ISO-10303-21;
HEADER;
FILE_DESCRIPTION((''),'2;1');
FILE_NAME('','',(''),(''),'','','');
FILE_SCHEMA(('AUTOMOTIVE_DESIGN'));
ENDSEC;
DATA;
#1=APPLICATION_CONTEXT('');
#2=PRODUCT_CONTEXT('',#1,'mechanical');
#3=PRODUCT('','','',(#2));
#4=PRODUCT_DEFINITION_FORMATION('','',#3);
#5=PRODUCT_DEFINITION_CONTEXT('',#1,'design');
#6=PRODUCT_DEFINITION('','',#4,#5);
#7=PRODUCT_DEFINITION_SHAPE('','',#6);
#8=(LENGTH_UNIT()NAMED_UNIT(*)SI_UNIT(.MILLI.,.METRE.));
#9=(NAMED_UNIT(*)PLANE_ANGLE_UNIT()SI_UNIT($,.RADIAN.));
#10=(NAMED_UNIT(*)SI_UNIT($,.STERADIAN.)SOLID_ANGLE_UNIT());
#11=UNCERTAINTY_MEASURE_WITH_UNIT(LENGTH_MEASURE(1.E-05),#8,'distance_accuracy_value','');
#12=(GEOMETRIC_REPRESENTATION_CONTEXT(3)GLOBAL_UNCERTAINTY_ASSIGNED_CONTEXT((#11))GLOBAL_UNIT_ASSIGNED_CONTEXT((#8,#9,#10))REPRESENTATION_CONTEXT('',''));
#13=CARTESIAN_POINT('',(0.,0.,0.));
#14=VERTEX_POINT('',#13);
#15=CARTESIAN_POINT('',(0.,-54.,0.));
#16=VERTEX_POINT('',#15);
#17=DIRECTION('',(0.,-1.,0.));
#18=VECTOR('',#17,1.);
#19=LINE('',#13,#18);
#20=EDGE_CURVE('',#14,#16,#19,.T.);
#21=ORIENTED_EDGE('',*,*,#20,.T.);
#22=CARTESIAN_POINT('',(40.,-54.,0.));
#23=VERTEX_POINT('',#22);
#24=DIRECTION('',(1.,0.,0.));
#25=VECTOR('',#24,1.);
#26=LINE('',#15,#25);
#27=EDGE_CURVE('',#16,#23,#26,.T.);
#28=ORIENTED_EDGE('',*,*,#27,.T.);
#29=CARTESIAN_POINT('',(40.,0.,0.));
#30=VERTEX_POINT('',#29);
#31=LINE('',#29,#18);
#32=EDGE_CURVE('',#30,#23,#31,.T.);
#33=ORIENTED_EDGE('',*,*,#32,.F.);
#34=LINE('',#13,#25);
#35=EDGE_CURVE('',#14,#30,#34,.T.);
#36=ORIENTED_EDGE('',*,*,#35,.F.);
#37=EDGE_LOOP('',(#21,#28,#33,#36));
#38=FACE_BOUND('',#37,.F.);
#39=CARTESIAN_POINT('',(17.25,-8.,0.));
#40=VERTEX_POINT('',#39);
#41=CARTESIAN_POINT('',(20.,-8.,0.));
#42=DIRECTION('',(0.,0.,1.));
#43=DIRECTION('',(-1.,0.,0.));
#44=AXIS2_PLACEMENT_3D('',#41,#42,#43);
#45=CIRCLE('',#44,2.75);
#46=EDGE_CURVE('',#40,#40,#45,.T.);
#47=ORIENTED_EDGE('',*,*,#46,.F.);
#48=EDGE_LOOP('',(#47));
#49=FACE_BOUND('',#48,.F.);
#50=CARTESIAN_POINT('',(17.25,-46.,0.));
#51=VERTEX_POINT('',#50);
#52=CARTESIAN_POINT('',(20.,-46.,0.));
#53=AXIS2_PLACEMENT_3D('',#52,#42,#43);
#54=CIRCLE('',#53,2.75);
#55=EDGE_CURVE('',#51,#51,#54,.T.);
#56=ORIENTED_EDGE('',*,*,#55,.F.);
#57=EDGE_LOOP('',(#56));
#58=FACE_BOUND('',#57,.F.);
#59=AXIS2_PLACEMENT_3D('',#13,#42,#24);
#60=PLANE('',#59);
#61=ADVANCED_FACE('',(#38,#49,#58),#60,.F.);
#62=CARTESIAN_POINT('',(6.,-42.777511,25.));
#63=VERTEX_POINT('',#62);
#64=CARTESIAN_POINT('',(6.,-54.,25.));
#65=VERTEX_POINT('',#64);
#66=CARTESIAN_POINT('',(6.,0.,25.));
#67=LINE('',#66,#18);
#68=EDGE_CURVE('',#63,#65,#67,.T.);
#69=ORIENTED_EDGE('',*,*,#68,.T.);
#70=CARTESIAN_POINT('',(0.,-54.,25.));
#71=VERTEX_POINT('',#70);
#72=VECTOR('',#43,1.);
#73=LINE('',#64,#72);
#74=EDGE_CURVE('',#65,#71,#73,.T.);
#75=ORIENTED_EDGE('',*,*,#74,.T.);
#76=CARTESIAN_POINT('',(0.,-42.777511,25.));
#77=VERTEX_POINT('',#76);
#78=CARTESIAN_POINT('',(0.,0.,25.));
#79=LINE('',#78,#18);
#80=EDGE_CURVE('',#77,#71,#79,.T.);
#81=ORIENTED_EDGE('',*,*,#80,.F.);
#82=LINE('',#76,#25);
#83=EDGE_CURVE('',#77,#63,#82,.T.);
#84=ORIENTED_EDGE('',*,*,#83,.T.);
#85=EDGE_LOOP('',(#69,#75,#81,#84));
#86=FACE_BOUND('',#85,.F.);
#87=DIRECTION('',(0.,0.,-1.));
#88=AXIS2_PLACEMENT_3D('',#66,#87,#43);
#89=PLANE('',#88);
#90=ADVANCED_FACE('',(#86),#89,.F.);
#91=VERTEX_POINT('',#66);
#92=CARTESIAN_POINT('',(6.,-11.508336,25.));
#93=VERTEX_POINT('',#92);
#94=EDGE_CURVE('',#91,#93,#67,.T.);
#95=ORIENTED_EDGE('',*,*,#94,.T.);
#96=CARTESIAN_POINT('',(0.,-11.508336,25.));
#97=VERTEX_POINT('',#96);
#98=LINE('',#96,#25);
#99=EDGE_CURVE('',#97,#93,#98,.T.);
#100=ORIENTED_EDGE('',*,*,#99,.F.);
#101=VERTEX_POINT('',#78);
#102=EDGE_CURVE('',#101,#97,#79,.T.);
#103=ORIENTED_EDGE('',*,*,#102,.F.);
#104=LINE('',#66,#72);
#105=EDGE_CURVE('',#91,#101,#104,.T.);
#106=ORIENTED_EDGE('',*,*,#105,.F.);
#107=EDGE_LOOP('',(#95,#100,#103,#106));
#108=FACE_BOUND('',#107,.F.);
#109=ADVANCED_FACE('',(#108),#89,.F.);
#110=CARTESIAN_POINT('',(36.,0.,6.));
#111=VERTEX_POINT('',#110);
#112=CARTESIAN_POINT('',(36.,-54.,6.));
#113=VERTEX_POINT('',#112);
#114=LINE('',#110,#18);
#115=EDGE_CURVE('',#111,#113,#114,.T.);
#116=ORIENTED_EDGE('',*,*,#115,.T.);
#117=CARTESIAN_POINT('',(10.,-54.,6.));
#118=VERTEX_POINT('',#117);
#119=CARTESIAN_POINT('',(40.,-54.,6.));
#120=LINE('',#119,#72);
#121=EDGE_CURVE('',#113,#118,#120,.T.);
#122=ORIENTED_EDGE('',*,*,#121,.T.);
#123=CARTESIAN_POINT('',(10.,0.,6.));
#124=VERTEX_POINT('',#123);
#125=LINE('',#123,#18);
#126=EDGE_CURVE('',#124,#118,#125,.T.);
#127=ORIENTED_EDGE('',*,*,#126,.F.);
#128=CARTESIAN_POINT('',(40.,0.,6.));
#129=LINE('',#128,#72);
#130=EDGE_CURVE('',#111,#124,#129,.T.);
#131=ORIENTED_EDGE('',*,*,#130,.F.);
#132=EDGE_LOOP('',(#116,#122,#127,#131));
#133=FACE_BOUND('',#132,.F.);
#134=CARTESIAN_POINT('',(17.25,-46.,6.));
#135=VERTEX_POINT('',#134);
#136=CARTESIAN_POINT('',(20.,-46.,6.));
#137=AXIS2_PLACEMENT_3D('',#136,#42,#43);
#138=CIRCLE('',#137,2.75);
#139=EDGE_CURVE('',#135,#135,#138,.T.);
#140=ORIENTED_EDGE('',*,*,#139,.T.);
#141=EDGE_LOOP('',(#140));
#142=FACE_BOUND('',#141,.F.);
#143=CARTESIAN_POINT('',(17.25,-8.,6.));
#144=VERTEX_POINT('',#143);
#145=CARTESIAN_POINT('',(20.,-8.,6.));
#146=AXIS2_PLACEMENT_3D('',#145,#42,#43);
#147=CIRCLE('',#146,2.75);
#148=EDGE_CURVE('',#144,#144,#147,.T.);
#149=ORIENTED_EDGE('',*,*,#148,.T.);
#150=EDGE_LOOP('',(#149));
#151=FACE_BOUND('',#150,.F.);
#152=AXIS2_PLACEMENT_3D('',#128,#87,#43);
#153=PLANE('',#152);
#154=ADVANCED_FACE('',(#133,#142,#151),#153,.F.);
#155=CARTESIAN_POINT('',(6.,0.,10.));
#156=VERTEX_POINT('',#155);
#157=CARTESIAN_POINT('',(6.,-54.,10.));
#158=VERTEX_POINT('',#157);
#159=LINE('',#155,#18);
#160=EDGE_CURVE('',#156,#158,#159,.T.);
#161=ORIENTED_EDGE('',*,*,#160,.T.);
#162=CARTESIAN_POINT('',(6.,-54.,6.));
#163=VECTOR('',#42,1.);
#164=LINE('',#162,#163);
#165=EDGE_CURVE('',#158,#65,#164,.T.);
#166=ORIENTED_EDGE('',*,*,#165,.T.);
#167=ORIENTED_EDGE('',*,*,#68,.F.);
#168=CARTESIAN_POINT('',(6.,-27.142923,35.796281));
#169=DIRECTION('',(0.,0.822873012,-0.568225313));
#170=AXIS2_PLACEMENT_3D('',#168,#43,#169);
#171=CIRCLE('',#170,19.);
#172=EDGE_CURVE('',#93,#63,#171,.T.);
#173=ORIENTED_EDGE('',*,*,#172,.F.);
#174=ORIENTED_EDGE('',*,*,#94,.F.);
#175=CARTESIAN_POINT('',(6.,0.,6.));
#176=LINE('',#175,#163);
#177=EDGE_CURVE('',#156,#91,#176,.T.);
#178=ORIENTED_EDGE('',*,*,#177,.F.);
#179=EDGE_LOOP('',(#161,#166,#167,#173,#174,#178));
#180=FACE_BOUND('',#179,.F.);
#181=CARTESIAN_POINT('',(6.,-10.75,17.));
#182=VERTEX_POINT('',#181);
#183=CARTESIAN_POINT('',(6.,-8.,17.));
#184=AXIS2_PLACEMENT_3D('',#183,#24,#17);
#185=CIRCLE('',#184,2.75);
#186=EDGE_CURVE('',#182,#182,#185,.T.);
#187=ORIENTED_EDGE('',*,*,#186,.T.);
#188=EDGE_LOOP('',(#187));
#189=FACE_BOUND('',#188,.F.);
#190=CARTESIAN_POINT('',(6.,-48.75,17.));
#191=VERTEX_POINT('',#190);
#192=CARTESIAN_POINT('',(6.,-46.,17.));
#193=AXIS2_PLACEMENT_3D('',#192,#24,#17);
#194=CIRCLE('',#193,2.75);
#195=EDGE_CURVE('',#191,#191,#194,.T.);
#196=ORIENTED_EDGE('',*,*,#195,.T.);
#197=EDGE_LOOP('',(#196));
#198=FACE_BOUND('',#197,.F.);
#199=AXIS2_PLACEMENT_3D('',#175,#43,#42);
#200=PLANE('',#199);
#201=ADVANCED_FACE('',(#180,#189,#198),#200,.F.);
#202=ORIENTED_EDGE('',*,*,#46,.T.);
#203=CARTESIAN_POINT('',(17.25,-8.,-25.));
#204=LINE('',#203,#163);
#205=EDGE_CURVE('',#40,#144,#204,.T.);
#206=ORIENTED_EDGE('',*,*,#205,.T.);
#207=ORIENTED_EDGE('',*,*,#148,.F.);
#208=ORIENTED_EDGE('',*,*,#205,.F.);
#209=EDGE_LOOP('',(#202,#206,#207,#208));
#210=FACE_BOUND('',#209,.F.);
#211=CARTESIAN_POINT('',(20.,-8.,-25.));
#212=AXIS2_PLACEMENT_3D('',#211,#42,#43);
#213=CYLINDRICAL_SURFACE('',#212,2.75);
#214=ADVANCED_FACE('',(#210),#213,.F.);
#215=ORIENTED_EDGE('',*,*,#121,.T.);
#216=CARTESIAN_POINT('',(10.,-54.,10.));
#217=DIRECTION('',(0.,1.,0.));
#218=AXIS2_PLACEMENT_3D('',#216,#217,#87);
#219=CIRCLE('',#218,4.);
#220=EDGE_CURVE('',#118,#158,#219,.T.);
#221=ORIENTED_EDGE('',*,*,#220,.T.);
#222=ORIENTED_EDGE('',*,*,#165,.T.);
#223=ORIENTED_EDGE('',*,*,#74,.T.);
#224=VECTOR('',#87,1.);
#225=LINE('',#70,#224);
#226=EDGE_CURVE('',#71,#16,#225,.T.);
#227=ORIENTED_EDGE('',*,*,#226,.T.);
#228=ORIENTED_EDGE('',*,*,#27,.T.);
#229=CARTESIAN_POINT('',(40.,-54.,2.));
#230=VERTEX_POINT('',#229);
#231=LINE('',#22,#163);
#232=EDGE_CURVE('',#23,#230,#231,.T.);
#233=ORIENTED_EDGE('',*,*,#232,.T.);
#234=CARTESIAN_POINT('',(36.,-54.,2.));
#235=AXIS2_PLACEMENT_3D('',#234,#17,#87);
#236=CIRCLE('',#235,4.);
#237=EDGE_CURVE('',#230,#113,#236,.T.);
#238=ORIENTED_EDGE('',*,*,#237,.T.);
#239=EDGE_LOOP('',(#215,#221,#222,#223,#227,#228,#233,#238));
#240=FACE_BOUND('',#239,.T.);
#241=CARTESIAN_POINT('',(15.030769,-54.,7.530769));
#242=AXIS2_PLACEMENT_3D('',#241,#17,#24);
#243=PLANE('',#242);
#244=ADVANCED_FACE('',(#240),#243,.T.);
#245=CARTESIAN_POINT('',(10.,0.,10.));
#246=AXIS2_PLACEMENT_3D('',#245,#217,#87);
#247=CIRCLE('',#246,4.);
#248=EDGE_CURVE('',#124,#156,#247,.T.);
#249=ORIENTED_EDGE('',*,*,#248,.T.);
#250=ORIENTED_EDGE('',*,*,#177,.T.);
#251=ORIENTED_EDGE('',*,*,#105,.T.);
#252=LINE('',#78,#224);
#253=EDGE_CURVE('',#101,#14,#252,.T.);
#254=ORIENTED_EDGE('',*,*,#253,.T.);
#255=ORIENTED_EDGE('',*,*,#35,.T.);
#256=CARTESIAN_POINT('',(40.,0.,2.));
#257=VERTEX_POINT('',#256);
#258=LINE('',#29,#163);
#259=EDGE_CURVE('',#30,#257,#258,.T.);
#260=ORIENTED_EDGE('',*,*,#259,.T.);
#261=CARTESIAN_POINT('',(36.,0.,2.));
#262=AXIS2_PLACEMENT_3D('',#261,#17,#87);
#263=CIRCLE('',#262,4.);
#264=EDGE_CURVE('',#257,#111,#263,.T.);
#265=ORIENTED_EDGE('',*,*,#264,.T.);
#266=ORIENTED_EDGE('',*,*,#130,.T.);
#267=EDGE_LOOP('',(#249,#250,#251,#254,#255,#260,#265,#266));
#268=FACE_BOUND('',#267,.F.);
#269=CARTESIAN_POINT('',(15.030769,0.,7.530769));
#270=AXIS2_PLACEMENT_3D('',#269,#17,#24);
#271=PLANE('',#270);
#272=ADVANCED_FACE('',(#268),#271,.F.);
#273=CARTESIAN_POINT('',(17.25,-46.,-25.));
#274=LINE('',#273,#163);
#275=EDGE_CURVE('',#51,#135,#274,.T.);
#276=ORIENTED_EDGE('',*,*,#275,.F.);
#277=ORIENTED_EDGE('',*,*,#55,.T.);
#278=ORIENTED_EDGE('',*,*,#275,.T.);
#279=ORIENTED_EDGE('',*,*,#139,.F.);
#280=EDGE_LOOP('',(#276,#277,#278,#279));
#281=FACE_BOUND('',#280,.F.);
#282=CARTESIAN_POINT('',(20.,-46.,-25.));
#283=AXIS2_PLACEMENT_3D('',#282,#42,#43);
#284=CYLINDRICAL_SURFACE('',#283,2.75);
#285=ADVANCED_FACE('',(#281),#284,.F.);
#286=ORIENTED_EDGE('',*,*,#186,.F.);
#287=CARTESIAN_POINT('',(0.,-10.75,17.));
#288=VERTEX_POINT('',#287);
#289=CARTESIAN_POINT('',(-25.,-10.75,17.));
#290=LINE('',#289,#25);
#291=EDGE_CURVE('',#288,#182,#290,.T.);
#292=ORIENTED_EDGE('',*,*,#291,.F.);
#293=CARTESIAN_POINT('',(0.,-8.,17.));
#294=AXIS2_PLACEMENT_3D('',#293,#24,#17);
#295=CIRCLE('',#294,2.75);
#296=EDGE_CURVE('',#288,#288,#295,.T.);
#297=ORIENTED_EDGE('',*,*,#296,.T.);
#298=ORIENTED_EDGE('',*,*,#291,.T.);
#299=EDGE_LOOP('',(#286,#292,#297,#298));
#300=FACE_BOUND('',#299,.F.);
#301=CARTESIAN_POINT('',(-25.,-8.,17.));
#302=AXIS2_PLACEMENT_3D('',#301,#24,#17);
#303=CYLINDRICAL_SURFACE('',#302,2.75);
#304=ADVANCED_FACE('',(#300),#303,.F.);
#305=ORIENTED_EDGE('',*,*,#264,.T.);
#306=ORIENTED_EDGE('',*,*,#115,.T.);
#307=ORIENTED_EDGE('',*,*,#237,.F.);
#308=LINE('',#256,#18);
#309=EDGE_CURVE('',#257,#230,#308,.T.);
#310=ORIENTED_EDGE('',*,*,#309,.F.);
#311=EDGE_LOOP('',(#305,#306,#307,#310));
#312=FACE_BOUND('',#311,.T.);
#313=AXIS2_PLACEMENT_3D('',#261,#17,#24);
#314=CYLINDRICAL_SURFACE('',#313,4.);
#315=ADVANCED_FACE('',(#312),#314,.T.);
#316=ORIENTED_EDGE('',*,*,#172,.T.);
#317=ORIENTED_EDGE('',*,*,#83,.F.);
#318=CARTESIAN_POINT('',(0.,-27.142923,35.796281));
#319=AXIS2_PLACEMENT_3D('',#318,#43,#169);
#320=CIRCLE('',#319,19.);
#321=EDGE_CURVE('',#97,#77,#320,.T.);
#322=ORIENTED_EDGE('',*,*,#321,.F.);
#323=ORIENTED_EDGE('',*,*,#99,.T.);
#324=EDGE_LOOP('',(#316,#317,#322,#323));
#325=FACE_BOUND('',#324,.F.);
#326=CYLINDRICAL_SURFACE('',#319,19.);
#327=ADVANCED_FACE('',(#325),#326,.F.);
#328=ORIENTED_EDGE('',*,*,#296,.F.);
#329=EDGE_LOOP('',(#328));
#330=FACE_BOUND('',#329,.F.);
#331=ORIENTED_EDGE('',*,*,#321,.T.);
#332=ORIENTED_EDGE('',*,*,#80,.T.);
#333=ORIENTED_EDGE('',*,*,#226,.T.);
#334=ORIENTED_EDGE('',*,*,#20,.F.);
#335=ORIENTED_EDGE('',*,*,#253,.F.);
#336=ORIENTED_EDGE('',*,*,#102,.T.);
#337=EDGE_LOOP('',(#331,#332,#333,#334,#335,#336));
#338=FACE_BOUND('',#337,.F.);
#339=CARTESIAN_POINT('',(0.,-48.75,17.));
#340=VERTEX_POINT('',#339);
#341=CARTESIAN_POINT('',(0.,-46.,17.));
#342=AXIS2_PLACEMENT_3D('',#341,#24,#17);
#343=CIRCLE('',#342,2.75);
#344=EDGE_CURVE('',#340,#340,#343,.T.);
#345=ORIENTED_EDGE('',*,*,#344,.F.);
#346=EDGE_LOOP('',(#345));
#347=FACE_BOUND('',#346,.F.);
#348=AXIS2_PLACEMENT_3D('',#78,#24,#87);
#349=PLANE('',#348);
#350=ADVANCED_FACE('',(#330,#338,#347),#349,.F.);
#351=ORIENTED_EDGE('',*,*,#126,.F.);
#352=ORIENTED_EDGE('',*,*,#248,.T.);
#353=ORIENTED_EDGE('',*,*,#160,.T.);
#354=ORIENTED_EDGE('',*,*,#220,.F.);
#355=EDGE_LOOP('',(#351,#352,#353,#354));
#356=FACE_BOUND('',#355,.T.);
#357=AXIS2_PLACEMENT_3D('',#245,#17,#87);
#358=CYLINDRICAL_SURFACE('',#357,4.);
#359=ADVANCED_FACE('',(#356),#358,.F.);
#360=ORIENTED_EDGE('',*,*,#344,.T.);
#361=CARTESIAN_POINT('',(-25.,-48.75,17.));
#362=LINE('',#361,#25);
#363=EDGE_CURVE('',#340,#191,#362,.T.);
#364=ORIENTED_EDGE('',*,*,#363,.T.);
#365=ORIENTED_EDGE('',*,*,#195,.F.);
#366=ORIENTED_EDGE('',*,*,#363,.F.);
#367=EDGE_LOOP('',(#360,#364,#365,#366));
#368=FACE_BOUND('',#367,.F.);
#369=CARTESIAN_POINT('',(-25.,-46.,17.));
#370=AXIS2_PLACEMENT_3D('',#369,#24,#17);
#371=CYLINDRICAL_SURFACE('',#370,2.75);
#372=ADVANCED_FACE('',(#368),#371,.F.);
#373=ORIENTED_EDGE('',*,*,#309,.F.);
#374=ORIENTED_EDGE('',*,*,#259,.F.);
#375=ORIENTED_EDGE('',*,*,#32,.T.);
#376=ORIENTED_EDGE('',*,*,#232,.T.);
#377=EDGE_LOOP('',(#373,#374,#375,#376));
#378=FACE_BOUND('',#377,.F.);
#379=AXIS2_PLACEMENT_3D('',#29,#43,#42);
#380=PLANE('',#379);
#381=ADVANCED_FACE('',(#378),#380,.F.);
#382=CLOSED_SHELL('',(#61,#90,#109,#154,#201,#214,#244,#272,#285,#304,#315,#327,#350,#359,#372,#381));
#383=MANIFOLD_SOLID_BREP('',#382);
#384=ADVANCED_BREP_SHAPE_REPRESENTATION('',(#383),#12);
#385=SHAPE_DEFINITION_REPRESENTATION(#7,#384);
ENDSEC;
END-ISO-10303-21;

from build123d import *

# Parameters (mm, degrees)
F1_DEPTH = 54
F2_R     = 4
F3_R     = 4
F6_DEPTH = 30
F7_D     = 5.5
F7_DEPTH = 25
F7_TIP   = 1.6523667023
F9_D     = 5.5
F9_DEPTH = 25
F9_TIP   = 1.6523667023


with BuildPart() as f1:
    # F0 (on Front) → F1 (new body)
    with BuildSketch(Plane.XZ):
        Polygon((0, 25), (0, 0), (40, 0), (40, 6), (6, 6), (6, 25), align=None)
    extrude(amount=F1_DEPTH)

    # F2
    f2_edges = [f1.edges().sort_by_distance(p)[0] for p in [
        (40, -27, 6),
    ]]
    fillet(f2_edges, radius=F2_R)

    # F3
    f3_edges = [f1.edges().sort_by_distance(p)[0] for p in [
        (6, -27, 6),
    ]]
    fillet(f3_edges, radius=F3_R)

    # F5 (on face) → F6 (cut)
    with BuildSketch(Plane(origin=(0, 0, 0), x_dir=(0, -1, 0), z_dir=(-1, 0, 0))):
        with BuildLine():
            Line((42.7775105486, 25), (11.508336102, 25))
            ThreePointArc((11.508336102, 25), (27.1429233253, 16.7962809503), (42.7775105486, 25))
        make_face()
        with BuildLine():
            ThreePointArc((42.7775105486, 25), (45.2820682506, 30.1419532821), (46.1429233253, 35.7962809503))
            ThreePointArc((46.1429233253, 35.7962809503), (21.4885956571, 53.9354258756), (11.508336102, 25))
            Line((11.508336102, 25), (42.7775105486, 25))
        make_face()
    extrude(amount=-F6_DEPTH, mode=Mode.SUBTRACT)

    # F7
    with Locations(Plane(origin=(0, 0, 0), x_dir=(0, 1, 0), z_dir=(-1, 0, 0))):
        with Locations((-8, -17), (-46, -17)):
            Hole(F7_D / 2, depth=F7_DEPTH)
            with Locations((0, 0, -(F7_DEPTH + F7_TIP / 2))):  # 118° drill point
                Cone(0, F7_D / 2, F7_TIP, mode=Mode.SUBTRACT)

    # F9
    with Locations(Plane(origin=(0, 0, 0), x_dir=(1, 0, 0), z_dir=(0, 0, -1))):
        with Locations((20, 46), (20, 8)):
            Hole(F9_D / 2, depth=F9_DEPTH)
            with Locations((0, 0, -(F9_DEPTH + F9_TIP / 2))):  # 118° drill point
                Cone(0, F9_D / 2, F9_TIP, mode=Mode.SUBTRACT)


solid = f1.part
